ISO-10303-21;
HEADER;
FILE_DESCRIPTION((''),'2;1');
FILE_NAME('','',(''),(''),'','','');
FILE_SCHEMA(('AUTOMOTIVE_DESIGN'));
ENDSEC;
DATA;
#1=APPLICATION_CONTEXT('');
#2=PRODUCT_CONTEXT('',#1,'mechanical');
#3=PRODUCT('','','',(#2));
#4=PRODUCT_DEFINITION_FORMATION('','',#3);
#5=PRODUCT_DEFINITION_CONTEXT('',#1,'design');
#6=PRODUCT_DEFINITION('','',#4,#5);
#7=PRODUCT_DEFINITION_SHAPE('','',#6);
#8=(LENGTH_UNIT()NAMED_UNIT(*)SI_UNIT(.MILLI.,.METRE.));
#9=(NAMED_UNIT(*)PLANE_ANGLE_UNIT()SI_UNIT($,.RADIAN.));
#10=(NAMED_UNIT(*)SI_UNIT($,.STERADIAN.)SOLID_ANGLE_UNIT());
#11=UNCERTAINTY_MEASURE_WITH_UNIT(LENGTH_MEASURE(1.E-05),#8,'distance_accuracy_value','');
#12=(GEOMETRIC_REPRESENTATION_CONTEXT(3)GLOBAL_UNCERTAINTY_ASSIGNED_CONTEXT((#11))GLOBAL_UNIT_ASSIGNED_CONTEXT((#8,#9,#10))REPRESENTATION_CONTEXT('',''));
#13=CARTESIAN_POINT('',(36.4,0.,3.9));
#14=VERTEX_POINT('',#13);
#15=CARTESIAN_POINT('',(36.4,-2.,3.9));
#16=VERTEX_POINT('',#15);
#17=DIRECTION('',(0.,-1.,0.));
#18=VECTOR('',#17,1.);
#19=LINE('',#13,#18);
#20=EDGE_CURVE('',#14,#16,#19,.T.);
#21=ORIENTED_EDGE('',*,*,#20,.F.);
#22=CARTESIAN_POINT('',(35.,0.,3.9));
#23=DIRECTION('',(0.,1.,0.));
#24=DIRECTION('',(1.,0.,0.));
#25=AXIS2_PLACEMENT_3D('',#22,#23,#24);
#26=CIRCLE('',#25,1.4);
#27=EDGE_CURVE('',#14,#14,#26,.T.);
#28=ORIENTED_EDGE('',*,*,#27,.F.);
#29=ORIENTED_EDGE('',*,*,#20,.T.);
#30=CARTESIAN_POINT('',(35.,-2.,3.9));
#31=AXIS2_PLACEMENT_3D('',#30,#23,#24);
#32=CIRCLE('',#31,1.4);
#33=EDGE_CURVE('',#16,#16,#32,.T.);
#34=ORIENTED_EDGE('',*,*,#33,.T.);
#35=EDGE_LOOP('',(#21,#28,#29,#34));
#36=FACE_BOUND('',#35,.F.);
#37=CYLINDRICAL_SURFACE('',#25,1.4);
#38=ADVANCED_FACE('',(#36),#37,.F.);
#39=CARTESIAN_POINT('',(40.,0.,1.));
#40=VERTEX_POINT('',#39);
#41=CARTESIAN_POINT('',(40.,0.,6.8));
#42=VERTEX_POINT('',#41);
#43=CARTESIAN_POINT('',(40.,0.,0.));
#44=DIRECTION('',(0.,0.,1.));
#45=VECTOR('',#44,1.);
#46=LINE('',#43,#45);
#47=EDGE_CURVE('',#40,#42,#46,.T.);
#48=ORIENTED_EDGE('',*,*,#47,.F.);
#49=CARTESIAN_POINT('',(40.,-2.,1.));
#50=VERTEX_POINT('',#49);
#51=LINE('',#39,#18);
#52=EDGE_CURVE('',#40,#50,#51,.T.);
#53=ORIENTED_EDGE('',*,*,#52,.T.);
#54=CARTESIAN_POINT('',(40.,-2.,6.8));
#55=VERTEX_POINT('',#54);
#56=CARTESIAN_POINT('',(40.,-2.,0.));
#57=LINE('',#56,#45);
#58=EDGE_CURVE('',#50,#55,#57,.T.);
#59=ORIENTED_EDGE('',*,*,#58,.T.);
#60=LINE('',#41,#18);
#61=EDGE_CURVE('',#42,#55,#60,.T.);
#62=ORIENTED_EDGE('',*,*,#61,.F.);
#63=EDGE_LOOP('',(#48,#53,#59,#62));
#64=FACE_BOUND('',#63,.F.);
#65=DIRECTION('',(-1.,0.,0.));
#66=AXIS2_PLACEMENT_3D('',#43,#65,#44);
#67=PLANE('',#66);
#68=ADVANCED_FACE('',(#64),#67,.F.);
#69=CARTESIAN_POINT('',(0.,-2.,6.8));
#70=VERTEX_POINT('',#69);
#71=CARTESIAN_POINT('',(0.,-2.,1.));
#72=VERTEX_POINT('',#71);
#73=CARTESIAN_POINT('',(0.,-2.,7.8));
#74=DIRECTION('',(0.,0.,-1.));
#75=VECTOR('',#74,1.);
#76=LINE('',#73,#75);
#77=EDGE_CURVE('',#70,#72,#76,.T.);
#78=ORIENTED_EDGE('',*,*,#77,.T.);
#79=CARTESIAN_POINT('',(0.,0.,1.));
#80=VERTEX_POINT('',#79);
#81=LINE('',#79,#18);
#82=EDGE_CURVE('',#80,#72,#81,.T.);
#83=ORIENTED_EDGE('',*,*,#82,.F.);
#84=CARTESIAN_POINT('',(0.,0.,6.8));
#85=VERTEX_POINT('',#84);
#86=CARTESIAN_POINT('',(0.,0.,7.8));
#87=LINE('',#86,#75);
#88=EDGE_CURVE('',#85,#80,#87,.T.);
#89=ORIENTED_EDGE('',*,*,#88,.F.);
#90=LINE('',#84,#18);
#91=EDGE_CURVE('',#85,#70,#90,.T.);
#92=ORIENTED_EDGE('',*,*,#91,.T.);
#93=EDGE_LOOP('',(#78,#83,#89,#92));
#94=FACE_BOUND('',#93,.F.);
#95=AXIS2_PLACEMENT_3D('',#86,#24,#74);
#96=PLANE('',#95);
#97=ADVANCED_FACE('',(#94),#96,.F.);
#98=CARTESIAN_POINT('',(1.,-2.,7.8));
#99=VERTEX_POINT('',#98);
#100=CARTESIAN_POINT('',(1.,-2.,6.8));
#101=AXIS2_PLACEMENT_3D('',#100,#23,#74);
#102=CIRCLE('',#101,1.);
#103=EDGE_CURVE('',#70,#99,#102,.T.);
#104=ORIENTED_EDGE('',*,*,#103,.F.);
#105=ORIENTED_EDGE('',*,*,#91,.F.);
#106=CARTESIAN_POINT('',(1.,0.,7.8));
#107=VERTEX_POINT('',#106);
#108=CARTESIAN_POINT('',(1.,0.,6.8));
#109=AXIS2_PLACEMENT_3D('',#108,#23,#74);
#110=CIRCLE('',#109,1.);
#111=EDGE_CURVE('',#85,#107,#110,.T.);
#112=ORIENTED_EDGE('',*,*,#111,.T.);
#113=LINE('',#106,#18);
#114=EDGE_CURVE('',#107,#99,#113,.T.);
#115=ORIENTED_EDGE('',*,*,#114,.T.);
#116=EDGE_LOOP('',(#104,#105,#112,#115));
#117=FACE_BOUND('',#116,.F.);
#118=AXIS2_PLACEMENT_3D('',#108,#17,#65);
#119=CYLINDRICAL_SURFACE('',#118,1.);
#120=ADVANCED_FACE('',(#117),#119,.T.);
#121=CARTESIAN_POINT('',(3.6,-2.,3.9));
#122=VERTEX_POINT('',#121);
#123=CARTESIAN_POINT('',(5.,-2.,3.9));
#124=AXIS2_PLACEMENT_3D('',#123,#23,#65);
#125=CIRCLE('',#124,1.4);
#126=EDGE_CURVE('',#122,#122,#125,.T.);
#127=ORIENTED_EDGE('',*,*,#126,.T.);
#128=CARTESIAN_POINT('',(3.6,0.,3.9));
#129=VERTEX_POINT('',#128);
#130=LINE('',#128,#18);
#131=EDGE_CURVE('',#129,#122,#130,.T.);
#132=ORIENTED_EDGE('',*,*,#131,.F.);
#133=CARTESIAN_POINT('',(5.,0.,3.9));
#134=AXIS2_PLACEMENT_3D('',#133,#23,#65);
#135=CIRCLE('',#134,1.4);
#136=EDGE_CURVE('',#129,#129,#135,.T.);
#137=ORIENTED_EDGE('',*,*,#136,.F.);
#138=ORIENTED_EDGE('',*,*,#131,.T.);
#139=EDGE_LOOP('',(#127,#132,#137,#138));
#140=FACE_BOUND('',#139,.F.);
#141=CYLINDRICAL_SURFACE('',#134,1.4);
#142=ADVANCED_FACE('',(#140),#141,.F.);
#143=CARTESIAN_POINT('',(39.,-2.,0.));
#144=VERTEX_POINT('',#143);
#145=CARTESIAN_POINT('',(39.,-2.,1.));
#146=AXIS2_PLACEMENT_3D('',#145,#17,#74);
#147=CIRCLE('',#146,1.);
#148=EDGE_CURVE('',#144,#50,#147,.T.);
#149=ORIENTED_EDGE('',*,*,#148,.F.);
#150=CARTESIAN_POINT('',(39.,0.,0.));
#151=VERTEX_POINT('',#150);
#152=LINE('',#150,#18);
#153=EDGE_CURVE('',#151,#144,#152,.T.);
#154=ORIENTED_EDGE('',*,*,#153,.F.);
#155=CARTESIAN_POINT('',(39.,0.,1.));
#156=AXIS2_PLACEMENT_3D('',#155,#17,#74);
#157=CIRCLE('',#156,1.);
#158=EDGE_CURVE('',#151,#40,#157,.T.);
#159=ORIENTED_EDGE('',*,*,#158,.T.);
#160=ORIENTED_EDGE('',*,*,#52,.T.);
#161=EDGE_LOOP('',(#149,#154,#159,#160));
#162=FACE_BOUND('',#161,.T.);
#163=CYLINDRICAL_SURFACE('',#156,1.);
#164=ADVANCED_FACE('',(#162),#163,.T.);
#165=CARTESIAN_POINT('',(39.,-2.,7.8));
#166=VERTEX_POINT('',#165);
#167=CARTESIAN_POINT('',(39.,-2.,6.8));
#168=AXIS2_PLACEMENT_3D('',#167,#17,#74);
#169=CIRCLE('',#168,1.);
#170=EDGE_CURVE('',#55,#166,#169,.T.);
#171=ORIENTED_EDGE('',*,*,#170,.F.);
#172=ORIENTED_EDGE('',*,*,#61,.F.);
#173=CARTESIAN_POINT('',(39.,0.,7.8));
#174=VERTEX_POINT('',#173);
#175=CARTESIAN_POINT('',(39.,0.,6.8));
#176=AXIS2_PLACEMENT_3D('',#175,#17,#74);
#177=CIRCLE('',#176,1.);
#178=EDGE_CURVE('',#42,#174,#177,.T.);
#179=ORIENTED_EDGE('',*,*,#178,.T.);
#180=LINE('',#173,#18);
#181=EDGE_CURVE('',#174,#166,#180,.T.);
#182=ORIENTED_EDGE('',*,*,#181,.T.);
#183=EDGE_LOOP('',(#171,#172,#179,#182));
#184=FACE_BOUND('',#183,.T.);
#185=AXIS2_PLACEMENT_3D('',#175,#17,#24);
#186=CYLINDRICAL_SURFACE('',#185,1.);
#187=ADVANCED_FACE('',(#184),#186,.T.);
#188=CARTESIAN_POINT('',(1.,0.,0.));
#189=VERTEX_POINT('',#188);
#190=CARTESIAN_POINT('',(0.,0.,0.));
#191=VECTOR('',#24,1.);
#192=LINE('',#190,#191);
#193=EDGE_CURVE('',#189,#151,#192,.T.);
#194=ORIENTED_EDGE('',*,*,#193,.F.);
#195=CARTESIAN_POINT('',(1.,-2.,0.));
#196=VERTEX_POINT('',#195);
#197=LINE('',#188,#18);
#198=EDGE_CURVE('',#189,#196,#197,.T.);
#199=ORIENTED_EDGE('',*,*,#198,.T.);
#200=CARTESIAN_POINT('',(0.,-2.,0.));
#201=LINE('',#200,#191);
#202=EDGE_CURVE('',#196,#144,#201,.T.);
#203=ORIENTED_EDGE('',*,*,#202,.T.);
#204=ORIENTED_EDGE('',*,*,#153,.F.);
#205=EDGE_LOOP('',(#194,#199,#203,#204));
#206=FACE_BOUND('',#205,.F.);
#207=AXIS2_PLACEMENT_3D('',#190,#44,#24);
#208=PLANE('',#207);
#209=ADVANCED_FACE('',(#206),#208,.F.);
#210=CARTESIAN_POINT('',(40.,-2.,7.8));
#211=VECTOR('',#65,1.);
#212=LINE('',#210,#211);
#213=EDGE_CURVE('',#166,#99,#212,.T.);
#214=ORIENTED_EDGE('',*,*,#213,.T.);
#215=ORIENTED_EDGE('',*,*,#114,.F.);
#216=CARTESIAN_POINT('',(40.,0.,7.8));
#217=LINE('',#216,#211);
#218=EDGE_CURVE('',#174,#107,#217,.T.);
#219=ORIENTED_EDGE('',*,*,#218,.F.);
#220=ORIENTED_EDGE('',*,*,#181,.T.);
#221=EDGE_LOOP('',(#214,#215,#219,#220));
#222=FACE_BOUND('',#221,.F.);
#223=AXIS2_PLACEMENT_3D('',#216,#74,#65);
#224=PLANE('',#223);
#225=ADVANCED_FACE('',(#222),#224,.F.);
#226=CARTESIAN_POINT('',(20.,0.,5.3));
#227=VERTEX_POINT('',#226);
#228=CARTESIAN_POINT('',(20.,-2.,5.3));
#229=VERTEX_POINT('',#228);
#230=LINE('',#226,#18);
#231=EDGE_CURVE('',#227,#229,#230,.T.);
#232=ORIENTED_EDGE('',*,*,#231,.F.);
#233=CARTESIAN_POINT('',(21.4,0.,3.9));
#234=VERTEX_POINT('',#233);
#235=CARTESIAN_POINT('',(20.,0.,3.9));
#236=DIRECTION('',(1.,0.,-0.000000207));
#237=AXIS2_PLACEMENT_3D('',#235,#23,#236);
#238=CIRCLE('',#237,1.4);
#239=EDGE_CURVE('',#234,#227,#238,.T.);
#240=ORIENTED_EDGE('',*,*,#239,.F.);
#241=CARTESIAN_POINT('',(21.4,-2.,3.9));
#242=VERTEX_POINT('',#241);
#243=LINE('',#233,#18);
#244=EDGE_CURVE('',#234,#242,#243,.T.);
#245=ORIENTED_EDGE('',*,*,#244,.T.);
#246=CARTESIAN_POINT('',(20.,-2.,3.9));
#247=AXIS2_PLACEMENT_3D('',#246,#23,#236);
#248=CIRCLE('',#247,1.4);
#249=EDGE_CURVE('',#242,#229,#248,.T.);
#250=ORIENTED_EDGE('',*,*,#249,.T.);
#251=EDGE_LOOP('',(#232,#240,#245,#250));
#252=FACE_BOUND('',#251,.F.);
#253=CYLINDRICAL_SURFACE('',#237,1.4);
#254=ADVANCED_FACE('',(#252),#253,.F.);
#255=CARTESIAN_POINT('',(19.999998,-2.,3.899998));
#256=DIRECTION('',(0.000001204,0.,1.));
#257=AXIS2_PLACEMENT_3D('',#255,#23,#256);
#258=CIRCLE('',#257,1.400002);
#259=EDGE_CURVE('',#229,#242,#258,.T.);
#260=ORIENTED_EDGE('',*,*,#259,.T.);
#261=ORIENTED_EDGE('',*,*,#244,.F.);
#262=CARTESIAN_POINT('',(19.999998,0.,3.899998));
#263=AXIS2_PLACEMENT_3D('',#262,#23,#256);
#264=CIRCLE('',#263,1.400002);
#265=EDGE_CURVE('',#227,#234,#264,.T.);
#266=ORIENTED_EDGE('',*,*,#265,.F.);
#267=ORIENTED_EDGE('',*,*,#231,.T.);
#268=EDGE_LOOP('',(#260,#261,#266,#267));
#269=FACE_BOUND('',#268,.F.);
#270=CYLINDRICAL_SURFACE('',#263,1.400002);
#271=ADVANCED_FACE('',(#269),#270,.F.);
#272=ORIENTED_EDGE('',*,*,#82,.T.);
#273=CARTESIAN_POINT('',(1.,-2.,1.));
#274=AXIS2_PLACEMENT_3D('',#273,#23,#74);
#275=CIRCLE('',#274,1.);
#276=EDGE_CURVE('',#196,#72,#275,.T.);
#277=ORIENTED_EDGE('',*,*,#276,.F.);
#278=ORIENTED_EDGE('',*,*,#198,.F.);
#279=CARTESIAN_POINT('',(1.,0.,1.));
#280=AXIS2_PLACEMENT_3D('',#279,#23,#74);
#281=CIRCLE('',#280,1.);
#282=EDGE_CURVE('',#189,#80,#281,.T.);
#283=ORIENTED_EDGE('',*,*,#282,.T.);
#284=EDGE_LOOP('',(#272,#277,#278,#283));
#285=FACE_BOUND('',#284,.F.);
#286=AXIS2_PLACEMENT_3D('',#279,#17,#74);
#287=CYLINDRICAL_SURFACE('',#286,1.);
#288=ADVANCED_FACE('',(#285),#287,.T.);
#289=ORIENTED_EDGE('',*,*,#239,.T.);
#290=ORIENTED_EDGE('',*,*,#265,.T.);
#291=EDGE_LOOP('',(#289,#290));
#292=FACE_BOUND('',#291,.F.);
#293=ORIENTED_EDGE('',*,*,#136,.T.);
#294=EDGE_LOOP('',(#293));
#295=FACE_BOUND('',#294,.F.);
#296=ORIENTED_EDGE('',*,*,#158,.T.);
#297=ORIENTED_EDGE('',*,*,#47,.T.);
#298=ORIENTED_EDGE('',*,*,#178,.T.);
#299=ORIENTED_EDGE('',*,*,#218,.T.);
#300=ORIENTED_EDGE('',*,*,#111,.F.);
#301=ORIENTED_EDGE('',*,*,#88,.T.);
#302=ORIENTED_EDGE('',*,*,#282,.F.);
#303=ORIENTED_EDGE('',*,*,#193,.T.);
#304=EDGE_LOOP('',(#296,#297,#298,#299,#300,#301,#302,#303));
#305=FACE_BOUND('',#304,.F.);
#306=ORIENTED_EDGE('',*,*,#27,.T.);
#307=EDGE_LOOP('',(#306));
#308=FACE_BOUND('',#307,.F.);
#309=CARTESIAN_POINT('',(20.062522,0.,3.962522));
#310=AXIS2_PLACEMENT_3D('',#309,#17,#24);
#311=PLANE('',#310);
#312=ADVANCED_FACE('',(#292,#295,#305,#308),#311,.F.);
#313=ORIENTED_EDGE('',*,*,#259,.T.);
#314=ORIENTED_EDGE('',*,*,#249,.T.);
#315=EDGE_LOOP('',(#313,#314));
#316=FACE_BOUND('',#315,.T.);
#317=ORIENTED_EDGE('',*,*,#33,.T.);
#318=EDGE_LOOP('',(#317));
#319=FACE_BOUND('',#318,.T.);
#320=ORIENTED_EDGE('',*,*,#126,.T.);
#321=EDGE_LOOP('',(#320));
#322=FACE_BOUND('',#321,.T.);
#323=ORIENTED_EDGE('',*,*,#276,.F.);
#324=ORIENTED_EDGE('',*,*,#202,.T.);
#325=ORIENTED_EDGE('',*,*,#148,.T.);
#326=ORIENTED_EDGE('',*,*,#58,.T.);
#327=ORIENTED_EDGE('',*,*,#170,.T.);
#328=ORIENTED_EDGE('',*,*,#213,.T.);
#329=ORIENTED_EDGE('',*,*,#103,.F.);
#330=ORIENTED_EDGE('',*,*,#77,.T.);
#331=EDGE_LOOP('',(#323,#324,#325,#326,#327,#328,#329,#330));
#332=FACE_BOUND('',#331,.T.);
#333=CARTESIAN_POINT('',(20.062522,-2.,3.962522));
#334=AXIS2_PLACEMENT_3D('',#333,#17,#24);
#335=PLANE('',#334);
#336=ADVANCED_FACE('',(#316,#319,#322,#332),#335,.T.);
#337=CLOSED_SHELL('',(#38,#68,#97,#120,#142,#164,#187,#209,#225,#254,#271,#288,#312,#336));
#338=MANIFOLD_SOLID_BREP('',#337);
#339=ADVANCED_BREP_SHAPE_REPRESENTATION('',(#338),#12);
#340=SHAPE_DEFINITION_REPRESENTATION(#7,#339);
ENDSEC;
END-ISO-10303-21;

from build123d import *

# Parameters (mm, degrees)
F1_DEPTH = 2
F2_R     = 1


with BuildPart() as f1:
    # F0 (on Front) → F1 (new body)
    with BuildSketch(Plane.XZ):
        with BuildLine():
            ThreePointArc((21.4, 3.9), (20.989949, 4.889949), (20, 5.3))
            ThreePointArc((20, 5.3), (19.010051, 2.910051), (21.4, 3.9))
        make_face()
        Polygon((0, 3.9), (0, 0), (40, 0), (40, 3.9), (40, 7.8), (20, 7.8), (0, 7.8), align=None)
        with BuildLine():
            ThreePointArc((6.4, 3.9), (5, 2.5), (3.6, 3.9))
            ThreePointArc((3.6, 3.9), (5, 5.3), (6.4, 3.9))
        make_face(mode=Mode.SUBTRACT)
        with BuildLine():
            ThreePointArc((21.4, 3.9), (19.010051, 2.910051), (20, 5.3))
            ThreePointArc((20, 5.3), (20.989949, 4.889949), (21.4, 3.9))
        make_face(mode=Mode.SUBTRACT)
        with BuildLine():
            ThreePointArc((33.6, 3.9), (35, 5.3), (36.4, 3.9))
            ThreePointArc((36.4, 3.9), (35, 2.5), (33.6, 3.9))
        make_face(mode=Mode.SUBTRACT)
    extrude(amount=F1_DEPTH)

    # F2
    f2_edges = [f1.edges().sort_by_distance(p)[0] for p in [
        (0, -1, 7.8),
        (0, -1, 0),
        (40, -1, 7.8),
        (40, -1, 0),
    ]]
    fillet(f2_edges, radius=F2_R)


solid = f1.part
